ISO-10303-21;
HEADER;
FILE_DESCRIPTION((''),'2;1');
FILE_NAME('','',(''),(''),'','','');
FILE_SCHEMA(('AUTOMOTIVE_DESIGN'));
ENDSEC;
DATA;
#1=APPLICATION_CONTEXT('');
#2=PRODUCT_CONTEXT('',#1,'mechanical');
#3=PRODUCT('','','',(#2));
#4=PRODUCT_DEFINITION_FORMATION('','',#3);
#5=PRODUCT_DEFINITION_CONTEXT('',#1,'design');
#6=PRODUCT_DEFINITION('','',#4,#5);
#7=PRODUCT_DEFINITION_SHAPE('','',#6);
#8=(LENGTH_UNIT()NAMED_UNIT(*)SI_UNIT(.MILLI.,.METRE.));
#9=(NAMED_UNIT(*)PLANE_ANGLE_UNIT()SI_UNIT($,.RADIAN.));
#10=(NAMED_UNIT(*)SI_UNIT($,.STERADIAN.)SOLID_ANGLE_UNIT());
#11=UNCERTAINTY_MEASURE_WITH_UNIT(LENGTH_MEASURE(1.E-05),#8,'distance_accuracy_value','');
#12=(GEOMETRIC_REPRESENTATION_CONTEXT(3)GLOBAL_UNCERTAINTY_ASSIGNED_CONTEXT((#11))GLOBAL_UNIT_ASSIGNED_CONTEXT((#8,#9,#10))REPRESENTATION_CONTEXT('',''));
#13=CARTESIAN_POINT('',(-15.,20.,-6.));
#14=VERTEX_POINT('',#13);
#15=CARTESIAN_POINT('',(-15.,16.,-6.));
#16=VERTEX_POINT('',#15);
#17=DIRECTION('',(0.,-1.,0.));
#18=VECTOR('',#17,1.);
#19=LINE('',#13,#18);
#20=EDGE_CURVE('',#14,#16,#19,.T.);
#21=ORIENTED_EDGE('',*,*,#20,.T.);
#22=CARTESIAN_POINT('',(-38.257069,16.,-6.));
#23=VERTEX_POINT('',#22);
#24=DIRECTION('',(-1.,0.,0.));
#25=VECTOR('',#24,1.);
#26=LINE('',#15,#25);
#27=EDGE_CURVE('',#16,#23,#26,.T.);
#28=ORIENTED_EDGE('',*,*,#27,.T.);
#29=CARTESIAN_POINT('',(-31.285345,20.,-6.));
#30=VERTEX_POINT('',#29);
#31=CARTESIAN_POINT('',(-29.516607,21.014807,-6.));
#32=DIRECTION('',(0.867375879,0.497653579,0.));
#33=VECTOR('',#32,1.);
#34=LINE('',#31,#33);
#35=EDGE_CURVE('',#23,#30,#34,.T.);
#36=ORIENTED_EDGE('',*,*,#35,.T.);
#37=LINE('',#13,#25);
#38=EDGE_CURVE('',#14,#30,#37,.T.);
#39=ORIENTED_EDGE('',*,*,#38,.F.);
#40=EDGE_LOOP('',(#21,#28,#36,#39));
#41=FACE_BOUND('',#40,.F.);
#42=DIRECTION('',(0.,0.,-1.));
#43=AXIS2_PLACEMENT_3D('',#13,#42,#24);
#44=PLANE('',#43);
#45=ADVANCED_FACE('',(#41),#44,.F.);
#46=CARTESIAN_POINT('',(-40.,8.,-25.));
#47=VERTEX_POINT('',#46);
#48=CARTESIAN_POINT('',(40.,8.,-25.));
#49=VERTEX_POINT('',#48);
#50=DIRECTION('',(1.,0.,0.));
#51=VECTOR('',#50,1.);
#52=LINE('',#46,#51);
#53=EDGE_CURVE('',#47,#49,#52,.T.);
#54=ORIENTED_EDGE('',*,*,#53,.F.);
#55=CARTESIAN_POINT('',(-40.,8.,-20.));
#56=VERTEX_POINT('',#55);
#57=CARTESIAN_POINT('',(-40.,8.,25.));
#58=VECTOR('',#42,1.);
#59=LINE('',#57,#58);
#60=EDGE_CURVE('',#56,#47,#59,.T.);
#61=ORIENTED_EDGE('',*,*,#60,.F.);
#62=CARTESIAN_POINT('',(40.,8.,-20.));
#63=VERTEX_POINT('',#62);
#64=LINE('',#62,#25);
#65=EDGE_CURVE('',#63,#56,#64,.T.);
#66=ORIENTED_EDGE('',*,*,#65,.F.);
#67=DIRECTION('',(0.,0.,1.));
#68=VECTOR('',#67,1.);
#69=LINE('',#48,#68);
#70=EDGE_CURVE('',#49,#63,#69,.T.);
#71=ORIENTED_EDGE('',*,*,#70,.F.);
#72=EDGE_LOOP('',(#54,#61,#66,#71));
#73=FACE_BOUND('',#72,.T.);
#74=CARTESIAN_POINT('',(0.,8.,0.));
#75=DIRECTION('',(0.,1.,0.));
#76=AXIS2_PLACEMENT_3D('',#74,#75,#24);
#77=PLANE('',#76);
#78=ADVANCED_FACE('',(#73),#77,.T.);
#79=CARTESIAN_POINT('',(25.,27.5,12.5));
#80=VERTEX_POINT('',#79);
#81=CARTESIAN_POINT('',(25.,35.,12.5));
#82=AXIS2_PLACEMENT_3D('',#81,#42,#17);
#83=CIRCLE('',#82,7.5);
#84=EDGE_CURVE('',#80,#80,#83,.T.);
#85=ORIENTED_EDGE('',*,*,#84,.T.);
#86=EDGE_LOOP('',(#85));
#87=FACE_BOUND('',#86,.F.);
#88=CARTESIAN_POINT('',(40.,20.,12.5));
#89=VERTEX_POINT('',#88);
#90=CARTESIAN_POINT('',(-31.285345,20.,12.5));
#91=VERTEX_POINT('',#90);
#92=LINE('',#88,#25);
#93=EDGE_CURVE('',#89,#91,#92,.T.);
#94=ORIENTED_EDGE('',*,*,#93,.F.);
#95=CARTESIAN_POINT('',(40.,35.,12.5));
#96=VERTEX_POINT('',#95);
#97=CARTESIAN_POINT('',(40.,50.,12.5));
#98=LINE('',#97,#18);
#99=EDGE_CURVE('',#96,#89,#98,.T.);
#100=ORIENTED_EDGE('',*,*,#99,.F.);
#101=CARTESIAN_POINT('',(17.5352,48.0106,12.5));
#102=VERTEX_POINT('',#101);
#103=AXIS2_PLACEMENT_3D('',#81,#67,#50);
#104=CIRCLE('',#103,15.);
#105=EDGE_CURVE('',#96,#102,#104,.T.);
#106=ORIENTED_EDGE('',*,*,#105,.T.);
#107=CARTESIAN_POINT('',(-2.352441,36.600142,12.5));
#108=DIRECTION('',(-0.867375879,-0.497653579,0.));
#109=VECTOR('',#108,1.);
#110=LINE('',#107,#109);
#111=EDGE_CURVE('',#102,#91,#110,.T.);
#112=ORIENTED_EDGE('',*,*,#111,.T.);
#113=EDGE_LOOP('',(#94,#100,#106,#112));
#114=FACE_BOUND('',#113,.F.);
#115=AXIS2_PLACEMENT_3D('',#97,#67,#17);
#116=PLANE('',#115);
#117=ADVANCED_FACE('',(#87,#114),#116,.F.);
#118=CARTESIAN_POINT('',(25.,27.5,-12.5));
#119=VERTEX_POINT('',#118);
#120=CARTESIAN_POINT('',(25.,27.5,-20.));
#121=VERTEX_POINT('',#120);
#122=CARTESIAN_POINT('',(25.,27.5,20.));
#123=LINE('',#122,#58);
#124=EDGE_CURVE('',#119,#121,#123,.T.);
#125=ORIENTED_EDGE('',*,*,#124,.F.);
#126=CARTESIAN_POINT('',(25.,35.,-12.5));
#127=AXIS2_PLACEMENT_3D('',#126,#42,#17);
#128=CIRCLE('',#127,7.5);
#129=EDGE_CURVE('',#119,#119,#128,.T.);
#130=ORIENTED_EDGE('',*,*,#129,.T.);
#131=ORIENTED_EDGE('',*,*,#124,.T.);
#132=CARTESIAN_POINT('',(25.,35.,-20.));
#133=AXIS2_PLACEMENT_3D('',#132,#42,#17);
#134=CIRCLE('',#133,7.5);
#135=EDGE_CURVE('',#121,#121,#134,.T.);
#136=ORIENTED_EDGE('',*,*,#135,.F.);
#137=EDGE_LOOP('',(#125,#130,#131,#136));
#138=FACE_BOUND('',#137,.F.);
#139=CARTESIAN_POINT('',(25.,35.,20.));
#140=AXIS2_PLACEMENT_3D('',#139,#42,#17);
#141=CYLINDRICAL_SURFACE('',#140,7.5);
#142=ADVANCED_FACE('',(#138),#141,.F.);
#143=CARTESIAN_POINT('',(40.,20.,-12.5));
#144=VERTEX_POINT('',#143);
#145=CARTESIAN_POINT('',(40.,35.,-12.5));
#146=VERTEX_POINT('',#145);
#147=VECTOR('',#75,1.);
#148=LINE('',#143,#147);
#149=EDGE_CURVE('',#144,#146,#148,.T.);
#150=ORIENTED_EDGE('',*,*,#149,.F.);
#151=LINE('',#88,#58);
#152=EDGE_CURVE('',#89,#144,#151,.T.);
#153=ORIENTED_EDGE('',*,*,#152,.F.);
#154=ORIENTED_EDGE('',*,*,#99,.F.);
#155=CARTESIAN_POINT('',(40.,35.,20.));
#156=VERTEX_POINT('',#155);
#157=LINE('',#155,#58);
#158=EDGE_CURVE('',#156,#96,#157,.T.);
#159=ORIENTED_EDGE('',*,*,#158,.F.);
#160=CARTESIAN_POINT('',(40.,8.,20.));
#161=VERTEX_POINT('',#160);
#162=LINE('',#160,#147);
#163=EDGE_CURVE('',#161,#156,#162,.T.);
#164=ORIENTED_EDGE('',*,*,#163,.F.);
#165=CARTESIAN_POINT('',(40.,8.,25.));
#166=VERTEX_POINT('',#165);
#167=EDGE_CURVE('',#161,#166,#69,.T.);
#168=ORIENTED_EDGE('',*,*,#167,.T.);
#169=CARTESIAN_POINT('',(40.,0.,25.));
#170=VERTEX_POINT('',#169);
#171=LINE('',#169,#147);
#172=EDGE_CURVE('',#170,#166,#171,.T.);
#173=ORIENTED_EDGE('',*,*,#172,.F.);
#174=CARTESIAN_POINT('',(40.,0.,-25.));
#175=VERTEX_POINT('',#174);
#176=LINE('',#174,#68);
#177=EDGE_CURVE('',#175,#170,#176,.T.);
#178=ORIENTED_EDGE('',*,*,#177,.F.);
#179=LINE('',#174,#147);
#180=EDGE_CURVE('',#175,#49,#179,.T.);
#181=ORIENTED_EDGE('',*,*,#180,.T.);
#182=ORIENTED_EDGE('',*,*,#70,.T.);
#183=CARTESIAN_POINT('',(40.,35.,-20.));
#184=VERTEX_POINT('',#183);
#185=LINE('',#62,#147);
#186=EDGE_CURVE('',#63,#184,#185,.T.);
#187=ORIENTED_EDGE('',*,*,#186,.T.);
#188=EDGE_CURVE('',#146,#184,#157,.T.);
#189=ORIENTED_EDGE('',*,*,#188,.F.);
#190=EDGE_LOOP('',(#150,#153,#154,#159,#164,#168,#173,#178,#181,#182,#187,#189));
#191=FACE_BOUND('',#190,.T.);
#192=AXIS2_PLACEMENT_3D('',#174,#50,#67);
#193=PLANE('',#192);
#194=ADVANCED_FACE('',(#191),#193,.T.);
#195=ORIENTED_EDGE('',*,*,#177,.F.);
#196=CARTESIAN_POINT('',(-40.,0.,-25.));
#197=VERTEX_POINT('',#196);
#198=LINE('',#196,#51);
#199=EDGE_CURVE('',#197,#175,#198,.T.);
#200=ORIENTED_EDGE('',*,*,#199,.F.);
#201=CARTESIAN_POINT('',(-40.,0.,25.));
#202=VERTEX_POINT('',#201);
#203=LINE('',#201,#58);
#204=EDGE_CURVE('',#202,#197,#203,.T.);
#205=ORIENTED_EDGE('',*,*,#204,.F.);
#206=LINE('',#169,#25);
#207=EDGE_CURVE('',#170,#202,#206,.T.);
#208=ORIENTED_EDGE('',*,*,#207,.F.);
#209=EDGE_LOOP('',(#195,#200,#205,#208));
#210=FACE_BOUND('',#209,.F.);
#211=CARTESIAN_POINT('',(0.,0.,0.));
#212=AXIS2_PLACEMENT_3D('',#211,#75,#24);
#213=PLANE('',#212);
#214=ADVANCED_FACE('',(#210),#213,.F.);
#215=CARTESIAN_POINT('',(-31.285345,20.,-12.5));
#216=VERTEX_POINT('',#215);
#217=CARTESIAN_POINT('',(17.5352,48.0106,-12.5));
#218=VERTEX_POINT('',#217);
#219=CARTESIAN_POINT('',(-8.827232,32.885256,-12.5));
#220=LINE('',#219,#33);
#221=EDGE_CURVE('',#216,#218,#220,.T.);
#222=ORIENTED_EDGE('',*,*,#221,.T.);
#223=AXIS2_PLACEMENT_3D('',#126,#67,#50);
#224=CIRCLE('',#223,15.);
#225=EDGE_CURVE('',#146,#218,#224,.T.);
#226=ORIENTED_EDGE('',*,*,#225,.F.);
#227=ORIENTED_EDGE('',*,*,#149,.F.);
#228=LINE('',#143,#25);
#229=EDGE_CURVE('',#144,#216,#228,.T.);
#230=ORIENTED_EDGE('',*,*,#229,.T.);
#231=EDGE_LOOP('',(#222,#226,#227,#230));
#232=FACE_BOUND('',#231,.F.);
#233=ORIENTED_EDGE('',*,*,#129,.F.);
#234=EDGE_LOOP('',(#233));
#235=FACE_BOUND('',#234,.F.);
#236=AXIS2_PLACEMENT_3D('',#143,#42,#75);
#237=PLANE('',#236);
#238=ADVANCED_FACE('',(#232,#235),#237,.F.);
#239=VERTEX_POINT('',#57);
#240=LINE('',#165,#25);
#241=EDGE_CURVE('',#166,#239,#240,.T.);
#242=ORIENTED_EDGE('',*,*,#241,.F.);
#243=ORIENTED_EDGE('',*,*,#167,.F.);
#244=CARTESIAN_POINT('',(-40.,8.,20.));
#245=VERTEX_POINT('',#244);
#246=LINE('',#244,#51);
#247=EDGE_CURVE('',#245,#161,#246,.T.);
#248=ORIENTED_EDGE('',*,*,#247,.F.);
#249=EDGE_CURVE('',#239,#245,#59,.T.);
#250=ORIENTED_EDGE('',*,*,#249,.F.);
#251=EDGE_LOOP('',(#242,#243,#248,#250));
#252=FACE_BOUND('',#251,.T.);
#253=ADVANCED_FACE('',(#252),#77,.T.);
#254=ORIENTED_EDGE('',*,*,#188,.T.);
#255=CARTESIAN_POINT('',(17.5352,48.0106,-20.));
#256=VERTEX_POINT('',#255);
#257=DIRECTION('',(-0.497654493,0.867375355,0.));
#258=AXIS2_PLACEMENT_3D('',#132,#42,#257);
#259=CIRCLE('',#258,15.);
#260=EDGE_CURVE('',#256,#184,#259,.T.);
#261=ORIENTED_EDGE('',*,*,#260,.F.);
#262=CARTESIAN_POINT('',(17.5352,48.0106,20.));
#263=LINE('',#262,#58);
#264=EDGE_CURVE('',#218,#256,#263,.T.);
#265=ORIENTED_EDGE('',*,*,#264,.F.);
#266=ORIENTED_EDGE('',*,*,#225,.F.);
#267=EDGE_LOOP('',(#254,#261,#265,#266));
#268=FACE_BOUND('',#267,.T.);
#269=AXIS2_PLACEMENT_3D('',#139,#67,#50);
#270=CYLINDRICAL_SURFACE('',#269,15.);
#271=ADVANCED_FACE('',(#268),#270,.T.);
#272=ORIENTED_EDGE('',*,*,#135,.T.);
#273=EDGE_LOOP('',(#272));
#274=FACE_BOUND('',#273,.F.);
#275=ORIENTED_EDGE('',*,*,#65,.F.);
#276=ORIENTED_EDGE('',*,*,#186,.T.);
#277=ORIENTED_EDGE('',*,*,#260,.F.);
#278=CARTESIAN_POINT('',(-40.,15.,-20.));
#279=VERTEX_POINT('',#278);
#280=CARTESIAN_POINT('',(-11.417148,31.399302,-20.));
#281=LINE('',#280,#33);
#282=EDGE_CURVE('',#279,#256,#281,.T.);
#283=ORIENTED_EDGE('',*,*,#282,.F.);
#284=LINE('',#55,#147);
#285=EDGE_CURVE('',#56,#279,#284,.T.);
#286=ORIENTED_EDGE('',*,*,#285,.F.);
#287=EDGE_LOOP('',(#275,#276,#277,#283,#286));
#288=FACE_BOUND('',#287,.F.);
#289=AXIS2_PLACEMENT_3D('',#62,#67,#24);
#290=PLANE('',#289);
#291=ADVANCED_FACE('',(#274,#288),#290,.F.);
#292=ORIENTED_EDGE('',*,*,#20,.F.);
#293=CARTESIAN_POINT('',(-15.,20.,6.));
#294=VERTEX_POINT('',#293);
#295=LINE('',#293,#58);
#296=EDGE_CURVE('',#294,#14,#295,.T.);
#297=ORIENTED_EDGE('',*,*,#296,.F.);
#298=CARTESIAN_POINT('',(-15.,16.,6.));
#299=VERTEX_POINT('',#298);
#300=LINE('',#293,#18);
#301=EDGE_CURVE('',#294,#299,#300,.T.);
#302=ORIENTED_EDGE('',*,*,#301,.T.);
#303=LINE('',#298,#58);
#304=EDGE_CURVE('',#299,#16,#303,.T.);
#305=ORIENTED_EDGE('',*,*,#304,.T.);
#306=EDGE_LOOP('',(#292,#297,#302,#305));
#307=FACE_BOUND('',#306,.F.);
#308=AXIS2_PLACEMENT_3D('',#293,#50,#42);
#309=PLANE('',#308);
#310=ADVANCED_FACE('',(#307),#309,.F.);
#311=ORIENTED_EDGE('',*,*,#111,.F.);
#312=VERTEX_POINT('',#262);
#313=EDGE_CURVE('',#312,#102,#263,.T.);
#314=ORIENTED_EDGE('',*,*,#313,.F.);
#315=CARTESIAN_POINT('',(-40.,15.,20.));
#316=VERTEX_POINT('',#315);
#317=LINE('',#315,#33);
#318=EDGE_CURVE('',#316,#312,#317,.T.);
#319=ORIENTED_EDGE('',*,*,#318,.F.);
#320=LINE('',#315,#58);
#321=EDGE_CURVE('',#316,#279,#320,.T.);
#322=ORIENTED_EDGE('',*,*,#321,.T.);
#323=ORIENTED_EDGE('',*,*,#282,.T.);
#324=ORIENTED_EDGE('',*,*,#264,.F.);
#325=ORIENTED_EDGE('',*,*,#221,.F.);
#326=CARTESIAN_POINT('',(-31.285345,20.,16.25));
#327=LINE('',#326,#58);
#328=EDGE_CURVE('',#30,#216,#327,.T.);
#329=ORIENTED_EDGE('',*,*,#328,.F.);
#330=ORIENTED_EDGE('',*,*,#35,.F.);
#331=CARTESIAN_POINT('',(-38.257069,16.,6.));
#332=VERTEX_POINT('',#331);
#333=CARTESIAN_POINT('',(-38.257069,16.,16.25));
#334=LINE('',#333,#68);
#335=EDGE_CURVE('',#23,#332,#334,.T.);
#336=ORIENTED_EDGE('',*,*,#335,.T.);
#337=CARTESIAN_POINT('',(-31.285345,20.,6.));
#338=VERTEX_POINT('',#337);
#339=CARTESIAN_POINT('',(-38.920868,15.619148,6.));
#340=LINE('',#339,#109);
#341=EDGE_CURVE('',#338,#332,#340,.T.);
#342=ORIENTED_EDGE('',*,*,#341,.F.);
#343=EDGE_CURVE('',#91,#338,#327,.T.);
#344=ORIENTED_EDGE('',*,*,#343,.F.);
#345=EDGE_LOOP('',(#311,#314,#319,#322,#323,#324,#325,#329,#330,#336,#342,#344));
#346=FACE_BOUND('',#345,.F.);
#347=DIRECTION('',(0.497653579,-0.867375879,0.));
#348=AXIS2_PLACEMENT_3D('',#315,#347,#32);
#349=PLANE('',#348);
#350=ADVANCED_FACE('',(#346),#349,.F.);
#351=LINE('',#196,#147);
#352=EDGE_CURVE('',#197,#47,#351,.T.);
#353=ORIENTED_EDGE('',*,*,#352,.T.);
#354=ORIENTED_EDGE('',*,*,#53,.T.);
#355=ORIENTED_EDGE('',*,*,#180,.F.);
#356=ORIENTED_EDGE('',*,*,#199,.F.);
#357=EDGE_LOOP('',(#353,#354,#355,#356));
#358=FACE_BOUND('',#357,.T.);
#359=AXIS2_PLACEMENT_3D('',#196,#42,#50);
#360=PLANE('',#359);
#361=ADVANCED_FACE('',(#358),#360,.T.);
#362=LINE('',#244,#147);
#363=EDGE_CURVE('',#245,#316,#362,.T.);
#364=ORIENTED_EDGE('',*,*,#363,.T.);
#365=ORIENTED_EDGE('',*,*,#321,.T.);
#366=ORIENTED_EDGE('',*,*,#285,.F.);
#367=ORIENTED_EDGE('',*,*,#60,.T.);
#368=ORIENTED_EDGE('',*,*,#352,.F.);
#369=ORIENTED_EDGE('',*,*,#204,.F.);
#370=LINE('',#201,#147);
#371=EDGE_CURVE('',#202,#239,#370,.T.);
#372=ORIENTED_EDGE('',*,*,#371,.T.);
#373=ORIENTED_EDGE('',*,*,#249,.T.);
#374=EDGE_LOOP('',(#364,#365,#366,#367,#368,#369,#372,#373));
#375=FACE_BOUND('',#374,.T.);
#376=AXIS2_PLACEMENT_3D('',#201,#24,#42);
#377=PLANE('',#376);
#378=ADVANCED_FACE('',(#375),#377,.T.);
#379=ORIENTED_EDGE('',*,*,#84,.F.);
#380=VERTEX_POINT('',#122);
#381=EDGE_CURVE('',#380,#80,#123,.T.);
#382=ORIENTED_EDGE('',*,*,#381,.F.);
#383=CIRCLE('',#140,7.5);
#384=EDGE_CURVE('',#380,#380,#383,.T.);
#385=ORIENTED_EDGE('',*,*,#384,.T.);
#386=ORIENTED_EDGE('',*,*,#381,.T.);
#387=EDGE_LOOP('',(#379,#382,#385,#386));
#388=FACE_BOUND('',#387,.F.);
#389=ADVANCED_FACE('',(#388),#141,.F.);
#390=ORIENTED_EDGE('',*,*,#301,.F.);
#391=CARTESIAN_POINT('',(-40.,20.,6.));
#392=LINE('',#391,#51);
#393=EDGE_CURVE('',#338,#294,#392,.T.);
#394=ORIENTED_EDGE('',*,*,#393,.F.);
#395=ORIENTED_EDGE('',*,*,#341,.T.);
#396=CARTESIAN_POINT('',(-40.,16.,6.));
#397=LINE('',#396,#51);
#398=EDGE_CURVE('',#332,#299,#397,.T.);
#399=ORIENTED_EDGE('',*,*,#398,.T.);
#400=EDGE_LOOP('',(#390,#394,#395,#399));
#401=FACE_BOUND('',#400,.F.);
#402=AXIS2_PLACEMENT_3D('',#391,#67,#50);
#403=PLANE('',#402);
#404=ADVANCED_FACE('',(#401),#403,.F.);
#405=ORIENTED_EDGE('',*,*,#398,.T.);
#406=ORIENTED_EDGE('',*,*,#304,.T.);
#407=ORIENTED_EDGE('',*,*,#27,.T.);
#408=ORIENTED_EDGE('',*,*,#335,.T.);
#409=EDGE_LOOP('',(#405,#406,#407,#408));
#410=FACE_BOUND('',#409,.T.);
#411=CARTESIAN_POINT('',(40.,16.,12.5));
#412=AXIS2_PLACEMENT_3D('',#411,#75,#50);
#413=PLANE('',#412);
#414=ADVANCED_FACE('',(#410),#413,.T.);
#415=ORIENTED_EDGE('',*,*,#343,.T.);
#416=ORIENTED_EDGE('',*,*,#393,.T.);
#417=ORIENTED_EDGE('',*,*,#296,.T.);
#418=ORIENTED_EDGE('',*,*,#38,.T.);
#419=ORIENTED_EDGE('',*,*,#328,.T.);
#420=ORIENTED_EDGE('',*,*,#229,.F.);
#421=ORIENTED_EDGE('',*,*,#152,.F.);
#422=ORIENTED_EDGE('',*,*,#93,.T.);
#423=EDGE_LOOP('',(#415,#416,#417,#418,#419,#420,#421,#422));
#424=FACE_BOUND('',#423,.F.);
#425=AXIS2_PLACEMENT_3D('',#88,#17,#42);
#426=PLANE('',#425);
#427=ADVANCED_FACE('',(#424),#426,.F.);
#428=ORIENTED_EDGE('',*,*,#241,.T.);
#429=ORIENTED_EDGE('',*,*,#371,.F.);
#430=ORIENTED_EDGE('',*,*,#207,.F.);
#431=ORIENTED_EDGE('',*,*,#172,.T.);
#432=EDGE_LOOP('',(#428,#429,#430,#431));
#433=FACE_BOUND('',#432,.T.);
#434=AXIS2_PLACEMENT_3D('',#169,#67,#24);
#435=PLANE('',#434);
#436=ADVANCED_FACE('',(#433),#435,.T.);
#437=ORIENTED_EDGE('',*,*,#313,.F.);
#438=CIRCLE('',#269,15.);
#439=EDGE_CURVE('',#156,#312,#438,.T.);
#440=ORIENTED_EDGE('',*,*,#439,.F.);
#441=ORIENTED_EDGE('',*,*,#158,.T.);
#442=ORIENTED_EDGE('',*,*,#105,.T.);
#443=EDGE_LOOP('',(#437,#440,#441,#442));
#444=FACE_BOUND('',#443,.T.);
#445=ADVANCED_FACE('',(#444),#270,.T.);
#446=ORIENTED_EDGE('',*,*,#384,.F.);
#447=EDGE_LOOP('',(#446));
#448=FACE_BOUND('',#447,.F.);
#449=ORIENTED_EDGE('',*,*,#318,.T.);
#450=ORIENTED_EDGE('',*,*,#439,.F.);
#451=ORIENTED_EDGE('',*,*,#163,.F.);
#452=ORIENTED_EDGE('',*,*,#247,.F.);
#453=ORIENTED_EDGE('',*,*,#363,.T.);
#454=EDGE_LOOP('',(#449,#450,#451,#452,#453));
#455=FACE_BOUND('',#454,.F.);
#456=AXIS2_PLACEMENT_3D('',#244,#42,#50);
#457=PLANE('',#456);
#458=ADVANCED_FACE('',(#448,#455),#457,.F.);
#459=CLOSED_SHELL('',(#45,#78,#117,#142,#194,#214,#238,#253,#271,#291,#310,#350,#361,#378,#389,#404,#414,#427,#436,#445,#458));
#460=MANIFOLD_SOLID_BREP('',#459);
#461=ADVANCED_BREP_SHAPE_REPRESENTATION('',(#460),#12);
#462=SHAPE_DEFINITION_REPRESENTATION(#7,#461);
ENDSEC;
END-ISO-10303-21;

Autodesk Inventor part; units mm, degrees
ref_plane "YZ Plane" through (0, 0, 0) normal (1, 0, 0) x (0, 1, 0)
ref_plane "XZ Plane" through (0, 0, 0) normal (0, 1, 0) x (-1, 0, 0)
ref_plane "XY Plane" through (0, 0, 0) normal (0, 0, 1) x (1, 0, 0)
sketch "Szkic1" plane through (0, 0, 0) normal (0, 1, 0) x (-1, 0, 0)
  line L0 (40, -25) -> (-40, -25)
  line L1 (-40, -25) -> (-40, 25)
  line L2 (-40, 25) -> (40, 25)
  line L3 (40, 25) -> (40, -25)
  point P0 (0, 0)
  dimension "d0" = 80
  dimension "d1" = 50
extrude "Wyciągnięcie proste1" add sketch "Szkic1" along normal blind 8
sketch "Szkic2" plane through (0, 8, 0) normal (0, 1, 0) x (1, 0, 0)
  line L0 (40, -25) -> (40, 25) projected
  line L1 (-40, -20) -> (40, -20)
  line L2 (40, -20) -> (40, 20)
  line L3 (40, 20) -> (-40, 20)
  line L4 (-40, 20) -> (-40, -20)
  line L5 (-40, -20) -> (40, 20) construction
  line L6 (40, -20) -> (-40, 20) construction
  point P0 (0, 0)
  dimension "d4" = 40
extrude "Wyciągnięcie proste2" add sketch "Szkic2" along normal blind 42
sketch "Szkic3" plane through (-40, 8, 20) normal (0, 0, 1) x (1, 0, 0)
  line L0 (0, 0) -> (0, 42) projected
  line L1 (0, 0) -> (0, 7)
  circle A0 centre (65, 27) radius 15
  line L2 (80, 0) -> (80, 42) projected
  line L3 (0, 42) -> (80, 42) projected
  line L4 (0, 7) -> (57.5352, 40.0106)
  point P0 (40, -8)
  point P1 (65, 42)
  point P2 (80, 27)
  dimension "d8" = 30
  dimension "d7" = 7
extrude "Wyciągnięcie proste3" cut sketch "Szkic3" against normal through all contours L0 L3 A0 L4 | L3 L2 A0
sketch "Szkic4" plane through (40, 0, 25) normal (1, 0, 0) x (0, 0, -1)
  line L0 (12.5, 20) -> (37.5, 20)
  line L1 (37.5, 20) -> (37.5, 50)
  line L2 (37.5, 50) -> (12.5, 50)
  line L3 (12.5, 50) -> (12.5, 20)
  line L4 (12.5, 20) -> (37.5, 50) construction
  line L5 (37.5, 20) -> (12.5, 50) construction
  line L6 (0, 0) -> (50, 0) projected
  point P0 (25, 0)
  point P1 (25, 35)
  dimension "d11" = 25
  dimension "d12" = 30
  dimension "d13" = 20
sketch "Szkic5" plane through (-40, 8, 20) normal (0, 0, 1) x (1, 0, 0)
  arc A0 (80, 27) -> (57.5352, 40.0106) centre (65, 27) ccw projected
  point P0 (40, -8)
extrude "Wyciągnięcie proste4" cut sketch "Szkic4" against normal through all
sketch "Szkic6" plane through (40, 20, 12.5) normal (0, 1, 0) x (1, 0, 0)
  line L0 (-55, 18.5) -> (-80, 18.5)
  line L1 (-80, 18.5) -> (-80, 6.5)
  line L2 (-80, 6.5) -> (-55, 6.5)
  line L3 (-55, 6.5) -> (-55, 18.5)
  line L4 (-55, 18.5) -> (-80, 6.5) construction
  line L5 (-80, 18.5) -> (-55, 6.5) construction
  line L6 (0, 25) -> (0, 0) projected
  point P0 (-40, 12.5)
  point P1 (-67.5, 12.5)
  point P2 (-55, 12.5)
  dimension "d16" = 25
  dimension "d17" = 55
  dimension "d18" = 12
extrude "Wyciągnięcie proste5" cut sketch "Szkic6" against normal blind 4
hole "Otwór1" at (25, 35, 20) direction (0, 0, -1) diameter 15 end through all
